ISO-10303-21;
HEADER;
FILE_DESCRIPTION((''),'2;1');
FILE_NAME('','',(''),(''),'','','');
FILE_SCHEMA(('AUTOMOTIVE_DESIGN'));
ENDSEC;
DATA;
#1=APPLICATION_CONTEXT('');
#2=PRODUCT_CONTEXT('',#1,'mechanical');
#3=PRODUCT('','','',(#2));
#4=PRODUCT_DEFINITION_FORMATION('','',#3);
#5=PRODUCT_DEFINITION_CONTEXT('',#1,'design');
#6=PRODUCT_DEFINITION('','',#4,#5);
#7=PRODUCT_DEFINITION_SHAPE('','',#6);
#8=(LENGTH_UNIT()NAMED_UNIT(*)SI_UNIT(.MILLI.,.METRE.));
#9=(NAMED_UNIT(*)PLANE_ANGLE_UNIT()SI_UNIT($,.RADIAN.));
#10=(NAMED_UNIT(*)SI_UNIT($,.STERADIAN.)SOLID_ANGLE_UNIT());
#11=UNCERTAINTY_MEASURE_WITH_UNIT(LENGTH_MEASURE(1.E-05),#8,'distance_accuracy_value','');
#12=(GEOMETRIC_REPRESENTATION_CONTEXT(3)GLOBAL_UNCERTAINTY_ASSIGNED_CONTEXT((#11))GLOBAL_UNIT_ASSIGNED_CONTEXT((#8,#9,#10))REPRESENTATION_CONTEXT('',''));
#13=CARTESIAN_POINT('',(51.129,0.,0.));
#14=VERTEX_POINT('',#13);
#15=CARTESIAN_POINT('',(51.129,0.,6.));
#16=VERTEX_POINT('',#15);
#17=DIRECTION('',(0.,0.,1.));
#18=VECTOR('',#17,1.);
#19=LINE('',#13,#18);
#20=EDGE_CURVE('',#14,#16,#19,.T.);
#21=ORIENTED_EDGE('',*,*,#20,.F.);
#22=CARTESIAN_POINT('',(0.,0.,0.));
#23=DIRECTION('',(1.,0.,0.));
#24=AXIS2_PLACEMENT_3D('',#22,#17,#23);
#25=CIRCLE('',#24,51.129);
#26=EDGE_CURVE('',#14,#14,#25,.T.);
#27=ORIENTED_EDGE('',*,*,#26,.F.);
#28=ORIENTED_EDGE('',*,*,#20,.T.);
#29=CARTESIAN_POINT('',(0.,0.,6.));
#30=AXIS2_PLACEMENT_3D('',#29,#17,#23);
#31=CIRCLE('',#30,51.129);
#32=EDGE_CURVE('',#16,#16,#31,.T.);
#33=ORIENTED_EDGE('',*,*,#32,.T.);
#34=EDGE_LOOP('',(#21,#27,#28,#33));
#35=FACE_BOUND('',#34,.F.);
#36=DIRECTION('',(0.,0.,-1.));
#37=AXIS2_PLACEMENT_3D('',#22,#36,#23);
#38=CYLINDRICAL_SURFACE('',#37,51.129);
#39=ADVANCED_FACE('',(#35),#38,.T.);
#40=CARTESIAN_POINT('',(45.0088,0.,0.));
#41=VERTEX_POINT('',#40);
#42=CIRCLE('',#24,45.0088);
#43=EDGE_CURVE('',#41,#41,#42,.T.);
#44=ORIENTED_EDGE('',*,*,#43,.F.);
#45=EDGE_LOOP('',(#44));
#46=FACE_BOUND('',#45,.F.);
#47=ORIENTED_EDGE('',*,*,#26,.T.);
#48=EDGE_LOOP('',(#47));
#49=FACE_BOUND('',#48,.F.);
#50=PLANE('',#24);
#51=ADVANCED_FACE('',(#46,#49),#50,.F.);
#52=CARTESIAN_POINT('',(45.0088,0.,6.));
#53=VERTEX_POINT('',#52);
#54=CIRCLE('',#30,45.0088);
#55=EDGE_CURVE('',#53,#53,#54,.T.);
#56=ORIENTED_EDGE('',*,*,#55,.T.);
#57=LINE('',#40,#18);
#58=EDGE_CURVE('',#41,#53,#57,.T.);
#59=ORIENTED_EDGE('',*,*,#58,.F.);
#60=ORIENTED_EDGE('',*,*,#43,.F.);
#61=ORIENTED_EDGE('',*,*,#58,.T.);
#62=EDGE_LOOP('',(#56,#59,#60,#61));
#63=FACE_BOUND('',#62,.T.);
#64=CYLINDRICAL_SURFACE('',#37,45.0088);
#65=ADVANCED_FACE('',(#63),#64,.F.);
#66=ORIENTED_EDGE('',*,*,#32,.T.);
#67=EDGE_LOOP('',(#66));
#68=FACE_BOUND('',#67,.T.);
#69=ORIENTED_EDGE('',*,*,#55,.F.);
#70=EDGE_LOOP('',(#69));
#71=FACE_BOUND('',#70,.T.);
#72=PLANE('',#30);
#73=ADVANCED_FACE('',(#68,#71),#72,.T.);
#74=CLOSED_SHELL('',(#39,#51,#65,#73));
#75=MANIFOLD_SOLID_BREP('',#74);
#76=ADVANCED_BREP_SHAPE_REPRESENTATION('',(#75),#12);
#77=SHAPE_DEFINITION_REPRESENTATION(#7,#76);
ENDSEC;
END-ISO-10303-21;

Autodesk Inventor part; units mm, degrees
ref_plane "YZ Plane" through (0, 0, 0) normal (1, 0, 0) x (0, 1, 0)
ref_plane "XZ Plane" through (0, 0, 0) normal (0, 1, 0) x (-1, 0, 0)
ref_plane "XY Plane" through (0, 0, 0) normal (0, 0, 1) x (1, 0, 0)
sketch "Sketch1" plane through (0, 0, 0) normal (0, 0, 1) x (1, 0, 0)
  circle A0 centre (0, 0) radius 51.129
  circle A1 centre (0, 0) radius 45.0088
  dimension "d0" = 102.258
  dimension "d1" = 90.0176
extrude "Extrusion1" add sketch "Sketch1" along normal blind 6
properties part number "4002_Bias_Coil_Holder_Tube_Mount_Layer3_MPSv2_v1"
